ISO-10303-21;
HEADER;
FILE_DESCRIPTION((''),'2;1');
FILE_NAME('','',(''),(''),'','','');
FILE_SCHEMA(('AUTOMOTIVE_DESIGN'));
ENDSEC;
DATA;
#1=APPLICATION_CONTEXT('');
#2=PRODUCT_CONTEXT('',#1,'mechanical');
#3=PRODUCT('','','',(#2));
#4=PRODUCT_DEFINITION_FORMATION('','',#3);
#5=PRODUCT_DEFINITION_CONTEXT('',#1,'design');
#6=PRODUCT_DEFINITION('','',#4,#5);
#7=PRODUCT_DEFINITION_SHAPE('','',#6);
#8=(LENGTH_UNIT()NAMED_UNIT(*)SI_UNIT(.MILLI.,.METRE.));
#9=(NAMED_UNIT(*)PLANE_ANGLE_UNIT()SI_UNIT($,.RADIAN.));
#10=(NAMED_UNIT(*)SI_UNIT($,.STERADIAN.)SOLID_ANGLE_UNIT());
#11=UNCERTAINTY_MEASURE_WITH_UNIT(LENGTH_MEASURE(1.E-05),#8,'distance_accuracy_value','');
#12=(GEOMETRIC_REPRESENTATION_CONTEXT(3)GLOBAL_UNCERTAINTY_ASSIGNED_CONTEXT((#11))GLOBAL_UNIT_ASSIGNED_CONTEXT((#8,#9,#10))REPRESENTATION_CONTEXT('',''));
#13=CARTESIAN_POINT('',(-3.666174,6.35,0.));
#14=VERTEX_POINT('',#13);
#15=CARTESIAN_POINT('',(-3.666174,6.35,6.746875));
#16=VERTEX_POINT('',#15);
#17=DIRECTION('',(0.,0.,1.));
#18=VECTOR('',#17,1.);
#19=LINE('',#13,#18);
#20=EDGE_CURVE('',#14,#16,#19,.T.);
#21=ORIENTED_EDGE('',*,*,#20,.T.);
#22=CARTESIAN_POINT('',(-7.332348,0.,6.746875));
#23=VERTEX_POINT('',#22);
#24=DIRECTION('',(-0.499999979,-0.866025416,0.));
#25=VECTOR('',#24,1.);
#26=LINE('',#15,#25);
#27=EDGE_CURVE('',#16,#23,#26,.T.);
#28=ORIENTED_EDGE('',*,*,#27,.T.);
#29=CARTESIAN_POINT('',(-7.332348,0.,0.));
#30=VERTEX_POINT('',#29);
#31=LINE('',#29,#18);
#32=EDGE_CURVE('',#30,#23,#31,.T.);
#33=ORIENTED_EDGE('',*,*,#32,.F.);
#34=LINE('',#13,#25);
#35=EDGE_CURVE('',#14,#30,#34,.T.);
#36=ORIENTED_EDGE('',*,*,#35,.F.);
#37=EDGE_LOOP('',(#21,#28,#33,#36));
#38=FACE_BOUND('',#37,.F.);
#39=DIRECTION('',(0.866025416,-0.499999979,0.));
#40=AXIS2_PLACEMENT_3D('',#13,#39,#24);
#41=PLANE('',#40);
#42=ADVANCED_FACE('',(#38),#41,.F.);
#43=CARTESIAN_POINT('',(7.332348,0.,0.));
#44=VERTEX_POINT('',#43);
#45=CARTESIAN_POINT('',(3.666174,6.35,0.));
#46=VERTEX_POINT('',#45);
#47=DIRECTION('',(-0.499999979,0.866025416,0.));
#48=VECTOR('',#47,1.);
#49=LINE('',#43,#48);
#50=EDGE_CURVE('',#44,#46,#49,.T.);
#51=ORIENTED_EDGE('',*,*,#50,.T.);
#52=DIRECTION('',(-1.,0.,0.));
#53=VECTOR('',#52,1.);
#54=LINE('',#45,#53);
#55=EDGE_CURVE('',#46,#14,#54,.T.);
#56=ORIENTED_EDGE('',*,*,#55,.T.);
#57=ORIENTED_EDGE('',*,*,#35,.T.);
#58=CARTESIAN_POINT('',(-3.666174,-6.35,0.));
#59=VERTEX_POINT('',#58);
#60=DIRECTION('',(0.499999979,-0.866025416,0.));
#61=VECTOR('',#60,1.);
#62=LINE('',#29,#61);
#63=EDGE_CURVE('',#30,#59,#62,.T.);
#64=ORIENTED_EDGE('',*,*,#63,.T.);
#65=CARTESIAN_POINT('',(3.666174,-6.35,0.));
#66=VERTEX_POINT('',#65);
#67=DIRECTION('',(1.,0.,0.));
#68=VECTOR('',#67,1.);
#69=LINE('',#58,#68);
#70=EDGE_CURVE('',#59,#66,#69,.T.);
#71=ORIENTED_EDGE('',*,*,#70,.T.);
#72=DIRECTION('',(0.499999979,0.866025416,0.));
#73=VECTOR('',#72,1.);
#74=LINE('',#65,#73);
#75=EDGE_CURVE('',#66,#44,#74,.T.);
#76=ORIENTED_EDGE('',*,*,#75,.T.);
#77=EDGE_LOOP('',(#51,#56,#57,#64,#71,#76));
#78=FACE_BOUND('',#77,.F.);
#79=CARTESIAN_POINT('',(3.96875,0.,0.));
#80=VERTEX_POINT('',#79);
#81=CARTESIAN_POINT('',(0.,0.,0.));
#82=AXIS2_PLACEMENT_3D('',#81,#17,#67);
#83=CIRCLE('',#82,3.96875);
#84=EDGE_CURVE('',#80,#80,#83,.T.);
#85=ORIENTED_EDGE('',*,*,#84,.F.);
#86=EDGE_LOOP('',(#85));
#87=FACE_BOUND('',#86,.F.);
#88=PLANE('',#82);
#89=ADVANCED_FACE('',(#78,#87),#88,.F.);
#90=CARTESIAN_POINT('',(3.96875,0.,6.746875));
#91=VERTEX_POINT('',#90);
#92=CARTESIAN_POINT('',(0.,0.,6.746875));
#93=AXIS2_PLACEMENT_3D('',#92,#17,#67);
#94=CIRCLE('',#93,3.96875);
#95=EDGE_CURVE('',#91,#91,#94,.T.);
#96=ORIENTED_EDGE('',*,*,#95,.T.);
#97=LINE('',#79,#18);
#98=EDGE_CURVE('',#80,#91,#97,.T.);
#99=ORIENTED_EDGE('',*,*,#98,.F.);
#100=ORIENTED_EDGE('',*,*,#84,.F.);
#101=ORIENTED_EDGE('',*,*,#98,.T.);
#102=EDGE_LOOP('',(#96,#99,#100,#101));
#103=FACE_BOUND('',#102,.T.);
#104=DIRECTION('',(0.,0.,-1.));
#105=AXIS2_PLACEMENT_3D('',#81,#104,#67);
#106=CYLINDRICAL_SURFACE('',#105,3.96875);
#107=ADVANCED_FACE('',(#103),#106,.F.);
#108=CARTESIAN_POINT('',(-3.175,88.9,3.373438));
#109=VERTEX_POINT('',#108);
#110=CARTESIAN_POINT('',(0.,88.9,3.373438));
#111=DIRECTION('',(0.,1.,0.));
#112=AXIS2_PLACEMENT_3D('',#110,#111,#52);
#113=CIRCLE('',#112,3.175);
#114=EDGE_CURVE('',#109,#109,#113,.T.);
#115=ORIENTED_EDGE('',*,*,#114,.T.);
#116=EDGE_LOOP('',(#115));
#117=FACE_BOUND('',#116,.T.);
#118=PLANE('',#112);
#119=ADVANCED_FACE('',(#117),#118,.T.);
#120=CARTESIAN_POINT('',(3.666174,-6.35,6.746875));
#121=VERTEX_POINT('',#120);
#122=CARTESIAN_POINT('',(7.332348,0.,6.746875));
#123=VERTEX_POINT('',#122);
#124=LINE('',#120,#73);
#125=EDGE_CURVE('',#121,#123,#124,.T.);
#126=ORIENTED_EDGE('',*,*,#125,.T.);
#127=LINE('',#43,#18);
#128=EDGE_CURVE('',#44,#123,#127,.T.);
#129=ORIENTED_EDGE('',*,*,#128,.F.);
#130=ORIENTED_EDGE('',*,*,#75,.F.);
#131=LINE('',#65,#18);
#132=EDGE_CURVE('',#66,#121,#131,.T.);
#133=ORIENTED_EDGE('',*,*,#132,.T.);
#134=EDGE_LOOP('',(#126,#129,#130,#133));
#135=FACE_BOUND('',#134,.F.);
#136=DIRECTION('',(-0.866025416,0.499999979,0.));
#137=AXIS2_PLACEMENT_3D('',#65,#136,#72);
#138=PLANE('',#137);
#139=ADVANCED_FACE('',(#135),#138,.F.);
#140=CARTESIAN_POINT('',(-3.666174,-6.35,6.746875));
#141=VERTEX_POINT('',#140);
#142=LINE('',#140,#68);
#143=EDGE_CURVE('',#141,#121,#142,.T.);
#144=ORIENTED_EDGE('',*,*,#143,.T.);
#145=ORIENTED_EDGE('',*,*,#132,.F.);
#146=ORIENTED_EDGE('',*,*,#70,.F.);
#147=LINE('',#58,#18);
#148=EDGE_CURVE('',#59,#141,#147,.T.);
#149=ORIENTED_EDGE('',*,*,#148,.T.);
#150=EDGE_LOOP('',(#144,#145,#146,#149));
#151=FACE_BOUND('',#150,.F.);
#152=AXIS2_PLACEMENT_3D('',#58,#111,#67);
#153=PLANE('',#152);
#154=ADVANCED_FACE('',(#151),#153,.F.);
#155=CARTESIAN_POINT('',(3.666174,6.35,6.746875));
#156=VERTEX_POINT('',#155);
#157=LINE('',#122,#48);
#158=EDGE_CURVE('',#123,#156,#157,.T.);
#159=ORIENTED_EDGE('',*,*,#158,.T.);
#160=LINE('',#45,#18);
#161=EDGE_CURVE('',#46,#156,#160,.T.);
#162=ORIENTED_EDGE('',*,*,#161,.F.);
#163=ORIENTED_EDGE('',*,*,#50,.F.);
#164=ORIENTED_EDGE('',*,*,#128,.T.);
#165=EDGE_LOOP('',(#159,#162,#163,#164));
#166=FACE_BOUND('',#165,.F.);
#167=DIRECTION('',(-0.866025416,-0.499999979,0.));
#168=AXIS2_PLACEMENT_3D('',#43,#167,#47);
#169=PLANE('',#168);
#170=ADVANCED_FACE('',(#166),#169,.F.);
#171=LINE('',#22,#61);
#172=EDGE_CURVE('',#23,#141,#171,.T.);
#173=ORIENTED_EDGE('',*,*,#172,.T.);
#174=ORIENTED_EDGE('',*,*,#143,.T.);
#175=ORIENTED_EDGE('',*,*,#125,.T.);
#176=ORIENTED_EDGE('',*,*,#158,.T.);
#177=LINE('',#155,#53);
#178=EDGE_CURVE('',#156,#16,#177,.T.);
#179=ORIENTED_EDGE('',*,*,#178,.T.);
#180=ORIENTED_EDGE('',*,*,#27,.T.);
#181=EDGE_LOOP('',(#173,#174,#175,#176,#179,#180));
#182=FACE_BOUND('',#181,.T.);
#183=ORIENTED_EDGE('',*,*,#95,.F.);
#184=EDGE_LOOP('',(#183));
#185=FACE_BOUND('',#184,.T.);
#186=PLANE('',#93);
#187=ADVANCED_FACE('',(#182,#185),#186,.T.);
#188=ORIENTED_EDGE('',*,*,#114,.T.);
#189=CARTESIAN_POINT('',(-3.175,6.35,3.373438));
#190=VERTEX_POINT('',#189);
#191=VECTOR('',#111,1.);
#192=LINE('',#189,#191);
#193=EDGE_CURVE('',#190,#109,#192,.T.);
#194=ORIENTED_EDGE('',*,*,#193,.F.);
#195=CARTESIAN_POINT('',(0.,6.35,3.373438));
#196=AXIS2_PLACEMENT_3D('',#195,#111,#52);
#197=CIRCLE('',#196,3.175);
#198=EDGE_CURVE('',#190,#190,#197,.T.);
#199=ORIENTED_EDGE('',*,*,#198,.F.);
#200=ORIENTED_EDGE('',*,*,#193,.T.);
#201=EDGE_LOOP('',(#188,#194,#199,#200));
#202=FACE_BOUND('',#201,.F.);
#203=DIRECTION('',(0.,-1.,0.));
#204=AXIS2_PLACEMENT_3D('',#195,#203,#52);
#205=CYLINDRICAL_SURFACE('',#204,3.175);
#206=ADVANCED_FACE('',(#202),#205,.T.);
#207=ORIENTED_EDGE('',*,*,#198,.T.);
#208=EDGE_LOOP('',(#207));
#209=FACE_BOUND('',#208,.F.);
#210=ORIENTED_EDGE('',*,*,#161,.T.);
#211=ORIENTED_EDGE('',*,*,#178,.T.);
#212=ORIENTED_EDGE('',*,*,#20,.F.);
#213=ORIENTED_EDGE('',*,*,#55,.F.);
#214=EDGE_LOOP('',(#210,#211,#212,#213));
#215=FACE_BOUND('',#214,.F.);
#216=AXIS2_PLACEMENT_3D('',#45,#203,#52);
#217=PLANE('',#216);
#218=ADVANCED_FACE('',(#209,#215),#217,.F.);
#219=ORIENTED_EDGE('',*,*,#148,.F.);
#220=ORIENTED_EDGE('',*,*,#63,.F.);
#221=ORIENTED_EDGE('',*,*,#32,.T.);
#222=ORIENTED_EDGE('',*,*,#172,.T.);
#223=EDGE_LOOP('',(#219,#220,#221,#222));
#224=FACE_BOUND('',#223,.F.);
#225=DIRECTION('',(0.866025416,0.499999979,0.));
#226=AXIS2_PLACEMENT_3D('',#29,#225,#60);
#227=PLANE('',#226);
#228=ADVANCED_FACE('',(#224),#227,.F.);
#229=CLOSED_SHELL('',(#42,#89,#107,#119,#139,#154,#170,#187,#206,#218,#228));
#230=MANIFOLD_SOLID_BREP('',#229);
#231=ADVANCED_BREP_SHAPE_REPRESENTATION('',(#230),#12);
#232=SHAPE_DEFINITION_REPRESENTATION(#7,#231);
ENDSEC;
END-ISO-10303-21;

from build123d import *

# Parameters (mm, degrees)
F0_R     = 3.96875
F1_DEPTH = 6.746875
F2_R     = 3.175
F3_DEPTH = 82.55


with BuildPart() as f1:
    # F0 (on Top) → F1 (new body)
    with BuildSketch(Plane.XY):
        Polygon((3.666174, 6.35), (-3.666174, 6.35), (-7.332348, 0), (-3.666174, -6.35), (3.666174, -6.35), (7.332348, 0), align=None)
        Circle(F0_R, mode=Mode.SUBTRACT)
    extrude(amount=F1_DEPTH)

    # F2 (on face) → F3 (join)
    with BuildSketch(Plane(origin=(0, 6.35, 0), x_dir=(-1, 0, 0), z_dir=(0, 1, 0))):
        with Locations((0, 3.373438)):
            Circle(F2_R)
    extrude(amount=F3_DEPTH)


solid = f1.part
